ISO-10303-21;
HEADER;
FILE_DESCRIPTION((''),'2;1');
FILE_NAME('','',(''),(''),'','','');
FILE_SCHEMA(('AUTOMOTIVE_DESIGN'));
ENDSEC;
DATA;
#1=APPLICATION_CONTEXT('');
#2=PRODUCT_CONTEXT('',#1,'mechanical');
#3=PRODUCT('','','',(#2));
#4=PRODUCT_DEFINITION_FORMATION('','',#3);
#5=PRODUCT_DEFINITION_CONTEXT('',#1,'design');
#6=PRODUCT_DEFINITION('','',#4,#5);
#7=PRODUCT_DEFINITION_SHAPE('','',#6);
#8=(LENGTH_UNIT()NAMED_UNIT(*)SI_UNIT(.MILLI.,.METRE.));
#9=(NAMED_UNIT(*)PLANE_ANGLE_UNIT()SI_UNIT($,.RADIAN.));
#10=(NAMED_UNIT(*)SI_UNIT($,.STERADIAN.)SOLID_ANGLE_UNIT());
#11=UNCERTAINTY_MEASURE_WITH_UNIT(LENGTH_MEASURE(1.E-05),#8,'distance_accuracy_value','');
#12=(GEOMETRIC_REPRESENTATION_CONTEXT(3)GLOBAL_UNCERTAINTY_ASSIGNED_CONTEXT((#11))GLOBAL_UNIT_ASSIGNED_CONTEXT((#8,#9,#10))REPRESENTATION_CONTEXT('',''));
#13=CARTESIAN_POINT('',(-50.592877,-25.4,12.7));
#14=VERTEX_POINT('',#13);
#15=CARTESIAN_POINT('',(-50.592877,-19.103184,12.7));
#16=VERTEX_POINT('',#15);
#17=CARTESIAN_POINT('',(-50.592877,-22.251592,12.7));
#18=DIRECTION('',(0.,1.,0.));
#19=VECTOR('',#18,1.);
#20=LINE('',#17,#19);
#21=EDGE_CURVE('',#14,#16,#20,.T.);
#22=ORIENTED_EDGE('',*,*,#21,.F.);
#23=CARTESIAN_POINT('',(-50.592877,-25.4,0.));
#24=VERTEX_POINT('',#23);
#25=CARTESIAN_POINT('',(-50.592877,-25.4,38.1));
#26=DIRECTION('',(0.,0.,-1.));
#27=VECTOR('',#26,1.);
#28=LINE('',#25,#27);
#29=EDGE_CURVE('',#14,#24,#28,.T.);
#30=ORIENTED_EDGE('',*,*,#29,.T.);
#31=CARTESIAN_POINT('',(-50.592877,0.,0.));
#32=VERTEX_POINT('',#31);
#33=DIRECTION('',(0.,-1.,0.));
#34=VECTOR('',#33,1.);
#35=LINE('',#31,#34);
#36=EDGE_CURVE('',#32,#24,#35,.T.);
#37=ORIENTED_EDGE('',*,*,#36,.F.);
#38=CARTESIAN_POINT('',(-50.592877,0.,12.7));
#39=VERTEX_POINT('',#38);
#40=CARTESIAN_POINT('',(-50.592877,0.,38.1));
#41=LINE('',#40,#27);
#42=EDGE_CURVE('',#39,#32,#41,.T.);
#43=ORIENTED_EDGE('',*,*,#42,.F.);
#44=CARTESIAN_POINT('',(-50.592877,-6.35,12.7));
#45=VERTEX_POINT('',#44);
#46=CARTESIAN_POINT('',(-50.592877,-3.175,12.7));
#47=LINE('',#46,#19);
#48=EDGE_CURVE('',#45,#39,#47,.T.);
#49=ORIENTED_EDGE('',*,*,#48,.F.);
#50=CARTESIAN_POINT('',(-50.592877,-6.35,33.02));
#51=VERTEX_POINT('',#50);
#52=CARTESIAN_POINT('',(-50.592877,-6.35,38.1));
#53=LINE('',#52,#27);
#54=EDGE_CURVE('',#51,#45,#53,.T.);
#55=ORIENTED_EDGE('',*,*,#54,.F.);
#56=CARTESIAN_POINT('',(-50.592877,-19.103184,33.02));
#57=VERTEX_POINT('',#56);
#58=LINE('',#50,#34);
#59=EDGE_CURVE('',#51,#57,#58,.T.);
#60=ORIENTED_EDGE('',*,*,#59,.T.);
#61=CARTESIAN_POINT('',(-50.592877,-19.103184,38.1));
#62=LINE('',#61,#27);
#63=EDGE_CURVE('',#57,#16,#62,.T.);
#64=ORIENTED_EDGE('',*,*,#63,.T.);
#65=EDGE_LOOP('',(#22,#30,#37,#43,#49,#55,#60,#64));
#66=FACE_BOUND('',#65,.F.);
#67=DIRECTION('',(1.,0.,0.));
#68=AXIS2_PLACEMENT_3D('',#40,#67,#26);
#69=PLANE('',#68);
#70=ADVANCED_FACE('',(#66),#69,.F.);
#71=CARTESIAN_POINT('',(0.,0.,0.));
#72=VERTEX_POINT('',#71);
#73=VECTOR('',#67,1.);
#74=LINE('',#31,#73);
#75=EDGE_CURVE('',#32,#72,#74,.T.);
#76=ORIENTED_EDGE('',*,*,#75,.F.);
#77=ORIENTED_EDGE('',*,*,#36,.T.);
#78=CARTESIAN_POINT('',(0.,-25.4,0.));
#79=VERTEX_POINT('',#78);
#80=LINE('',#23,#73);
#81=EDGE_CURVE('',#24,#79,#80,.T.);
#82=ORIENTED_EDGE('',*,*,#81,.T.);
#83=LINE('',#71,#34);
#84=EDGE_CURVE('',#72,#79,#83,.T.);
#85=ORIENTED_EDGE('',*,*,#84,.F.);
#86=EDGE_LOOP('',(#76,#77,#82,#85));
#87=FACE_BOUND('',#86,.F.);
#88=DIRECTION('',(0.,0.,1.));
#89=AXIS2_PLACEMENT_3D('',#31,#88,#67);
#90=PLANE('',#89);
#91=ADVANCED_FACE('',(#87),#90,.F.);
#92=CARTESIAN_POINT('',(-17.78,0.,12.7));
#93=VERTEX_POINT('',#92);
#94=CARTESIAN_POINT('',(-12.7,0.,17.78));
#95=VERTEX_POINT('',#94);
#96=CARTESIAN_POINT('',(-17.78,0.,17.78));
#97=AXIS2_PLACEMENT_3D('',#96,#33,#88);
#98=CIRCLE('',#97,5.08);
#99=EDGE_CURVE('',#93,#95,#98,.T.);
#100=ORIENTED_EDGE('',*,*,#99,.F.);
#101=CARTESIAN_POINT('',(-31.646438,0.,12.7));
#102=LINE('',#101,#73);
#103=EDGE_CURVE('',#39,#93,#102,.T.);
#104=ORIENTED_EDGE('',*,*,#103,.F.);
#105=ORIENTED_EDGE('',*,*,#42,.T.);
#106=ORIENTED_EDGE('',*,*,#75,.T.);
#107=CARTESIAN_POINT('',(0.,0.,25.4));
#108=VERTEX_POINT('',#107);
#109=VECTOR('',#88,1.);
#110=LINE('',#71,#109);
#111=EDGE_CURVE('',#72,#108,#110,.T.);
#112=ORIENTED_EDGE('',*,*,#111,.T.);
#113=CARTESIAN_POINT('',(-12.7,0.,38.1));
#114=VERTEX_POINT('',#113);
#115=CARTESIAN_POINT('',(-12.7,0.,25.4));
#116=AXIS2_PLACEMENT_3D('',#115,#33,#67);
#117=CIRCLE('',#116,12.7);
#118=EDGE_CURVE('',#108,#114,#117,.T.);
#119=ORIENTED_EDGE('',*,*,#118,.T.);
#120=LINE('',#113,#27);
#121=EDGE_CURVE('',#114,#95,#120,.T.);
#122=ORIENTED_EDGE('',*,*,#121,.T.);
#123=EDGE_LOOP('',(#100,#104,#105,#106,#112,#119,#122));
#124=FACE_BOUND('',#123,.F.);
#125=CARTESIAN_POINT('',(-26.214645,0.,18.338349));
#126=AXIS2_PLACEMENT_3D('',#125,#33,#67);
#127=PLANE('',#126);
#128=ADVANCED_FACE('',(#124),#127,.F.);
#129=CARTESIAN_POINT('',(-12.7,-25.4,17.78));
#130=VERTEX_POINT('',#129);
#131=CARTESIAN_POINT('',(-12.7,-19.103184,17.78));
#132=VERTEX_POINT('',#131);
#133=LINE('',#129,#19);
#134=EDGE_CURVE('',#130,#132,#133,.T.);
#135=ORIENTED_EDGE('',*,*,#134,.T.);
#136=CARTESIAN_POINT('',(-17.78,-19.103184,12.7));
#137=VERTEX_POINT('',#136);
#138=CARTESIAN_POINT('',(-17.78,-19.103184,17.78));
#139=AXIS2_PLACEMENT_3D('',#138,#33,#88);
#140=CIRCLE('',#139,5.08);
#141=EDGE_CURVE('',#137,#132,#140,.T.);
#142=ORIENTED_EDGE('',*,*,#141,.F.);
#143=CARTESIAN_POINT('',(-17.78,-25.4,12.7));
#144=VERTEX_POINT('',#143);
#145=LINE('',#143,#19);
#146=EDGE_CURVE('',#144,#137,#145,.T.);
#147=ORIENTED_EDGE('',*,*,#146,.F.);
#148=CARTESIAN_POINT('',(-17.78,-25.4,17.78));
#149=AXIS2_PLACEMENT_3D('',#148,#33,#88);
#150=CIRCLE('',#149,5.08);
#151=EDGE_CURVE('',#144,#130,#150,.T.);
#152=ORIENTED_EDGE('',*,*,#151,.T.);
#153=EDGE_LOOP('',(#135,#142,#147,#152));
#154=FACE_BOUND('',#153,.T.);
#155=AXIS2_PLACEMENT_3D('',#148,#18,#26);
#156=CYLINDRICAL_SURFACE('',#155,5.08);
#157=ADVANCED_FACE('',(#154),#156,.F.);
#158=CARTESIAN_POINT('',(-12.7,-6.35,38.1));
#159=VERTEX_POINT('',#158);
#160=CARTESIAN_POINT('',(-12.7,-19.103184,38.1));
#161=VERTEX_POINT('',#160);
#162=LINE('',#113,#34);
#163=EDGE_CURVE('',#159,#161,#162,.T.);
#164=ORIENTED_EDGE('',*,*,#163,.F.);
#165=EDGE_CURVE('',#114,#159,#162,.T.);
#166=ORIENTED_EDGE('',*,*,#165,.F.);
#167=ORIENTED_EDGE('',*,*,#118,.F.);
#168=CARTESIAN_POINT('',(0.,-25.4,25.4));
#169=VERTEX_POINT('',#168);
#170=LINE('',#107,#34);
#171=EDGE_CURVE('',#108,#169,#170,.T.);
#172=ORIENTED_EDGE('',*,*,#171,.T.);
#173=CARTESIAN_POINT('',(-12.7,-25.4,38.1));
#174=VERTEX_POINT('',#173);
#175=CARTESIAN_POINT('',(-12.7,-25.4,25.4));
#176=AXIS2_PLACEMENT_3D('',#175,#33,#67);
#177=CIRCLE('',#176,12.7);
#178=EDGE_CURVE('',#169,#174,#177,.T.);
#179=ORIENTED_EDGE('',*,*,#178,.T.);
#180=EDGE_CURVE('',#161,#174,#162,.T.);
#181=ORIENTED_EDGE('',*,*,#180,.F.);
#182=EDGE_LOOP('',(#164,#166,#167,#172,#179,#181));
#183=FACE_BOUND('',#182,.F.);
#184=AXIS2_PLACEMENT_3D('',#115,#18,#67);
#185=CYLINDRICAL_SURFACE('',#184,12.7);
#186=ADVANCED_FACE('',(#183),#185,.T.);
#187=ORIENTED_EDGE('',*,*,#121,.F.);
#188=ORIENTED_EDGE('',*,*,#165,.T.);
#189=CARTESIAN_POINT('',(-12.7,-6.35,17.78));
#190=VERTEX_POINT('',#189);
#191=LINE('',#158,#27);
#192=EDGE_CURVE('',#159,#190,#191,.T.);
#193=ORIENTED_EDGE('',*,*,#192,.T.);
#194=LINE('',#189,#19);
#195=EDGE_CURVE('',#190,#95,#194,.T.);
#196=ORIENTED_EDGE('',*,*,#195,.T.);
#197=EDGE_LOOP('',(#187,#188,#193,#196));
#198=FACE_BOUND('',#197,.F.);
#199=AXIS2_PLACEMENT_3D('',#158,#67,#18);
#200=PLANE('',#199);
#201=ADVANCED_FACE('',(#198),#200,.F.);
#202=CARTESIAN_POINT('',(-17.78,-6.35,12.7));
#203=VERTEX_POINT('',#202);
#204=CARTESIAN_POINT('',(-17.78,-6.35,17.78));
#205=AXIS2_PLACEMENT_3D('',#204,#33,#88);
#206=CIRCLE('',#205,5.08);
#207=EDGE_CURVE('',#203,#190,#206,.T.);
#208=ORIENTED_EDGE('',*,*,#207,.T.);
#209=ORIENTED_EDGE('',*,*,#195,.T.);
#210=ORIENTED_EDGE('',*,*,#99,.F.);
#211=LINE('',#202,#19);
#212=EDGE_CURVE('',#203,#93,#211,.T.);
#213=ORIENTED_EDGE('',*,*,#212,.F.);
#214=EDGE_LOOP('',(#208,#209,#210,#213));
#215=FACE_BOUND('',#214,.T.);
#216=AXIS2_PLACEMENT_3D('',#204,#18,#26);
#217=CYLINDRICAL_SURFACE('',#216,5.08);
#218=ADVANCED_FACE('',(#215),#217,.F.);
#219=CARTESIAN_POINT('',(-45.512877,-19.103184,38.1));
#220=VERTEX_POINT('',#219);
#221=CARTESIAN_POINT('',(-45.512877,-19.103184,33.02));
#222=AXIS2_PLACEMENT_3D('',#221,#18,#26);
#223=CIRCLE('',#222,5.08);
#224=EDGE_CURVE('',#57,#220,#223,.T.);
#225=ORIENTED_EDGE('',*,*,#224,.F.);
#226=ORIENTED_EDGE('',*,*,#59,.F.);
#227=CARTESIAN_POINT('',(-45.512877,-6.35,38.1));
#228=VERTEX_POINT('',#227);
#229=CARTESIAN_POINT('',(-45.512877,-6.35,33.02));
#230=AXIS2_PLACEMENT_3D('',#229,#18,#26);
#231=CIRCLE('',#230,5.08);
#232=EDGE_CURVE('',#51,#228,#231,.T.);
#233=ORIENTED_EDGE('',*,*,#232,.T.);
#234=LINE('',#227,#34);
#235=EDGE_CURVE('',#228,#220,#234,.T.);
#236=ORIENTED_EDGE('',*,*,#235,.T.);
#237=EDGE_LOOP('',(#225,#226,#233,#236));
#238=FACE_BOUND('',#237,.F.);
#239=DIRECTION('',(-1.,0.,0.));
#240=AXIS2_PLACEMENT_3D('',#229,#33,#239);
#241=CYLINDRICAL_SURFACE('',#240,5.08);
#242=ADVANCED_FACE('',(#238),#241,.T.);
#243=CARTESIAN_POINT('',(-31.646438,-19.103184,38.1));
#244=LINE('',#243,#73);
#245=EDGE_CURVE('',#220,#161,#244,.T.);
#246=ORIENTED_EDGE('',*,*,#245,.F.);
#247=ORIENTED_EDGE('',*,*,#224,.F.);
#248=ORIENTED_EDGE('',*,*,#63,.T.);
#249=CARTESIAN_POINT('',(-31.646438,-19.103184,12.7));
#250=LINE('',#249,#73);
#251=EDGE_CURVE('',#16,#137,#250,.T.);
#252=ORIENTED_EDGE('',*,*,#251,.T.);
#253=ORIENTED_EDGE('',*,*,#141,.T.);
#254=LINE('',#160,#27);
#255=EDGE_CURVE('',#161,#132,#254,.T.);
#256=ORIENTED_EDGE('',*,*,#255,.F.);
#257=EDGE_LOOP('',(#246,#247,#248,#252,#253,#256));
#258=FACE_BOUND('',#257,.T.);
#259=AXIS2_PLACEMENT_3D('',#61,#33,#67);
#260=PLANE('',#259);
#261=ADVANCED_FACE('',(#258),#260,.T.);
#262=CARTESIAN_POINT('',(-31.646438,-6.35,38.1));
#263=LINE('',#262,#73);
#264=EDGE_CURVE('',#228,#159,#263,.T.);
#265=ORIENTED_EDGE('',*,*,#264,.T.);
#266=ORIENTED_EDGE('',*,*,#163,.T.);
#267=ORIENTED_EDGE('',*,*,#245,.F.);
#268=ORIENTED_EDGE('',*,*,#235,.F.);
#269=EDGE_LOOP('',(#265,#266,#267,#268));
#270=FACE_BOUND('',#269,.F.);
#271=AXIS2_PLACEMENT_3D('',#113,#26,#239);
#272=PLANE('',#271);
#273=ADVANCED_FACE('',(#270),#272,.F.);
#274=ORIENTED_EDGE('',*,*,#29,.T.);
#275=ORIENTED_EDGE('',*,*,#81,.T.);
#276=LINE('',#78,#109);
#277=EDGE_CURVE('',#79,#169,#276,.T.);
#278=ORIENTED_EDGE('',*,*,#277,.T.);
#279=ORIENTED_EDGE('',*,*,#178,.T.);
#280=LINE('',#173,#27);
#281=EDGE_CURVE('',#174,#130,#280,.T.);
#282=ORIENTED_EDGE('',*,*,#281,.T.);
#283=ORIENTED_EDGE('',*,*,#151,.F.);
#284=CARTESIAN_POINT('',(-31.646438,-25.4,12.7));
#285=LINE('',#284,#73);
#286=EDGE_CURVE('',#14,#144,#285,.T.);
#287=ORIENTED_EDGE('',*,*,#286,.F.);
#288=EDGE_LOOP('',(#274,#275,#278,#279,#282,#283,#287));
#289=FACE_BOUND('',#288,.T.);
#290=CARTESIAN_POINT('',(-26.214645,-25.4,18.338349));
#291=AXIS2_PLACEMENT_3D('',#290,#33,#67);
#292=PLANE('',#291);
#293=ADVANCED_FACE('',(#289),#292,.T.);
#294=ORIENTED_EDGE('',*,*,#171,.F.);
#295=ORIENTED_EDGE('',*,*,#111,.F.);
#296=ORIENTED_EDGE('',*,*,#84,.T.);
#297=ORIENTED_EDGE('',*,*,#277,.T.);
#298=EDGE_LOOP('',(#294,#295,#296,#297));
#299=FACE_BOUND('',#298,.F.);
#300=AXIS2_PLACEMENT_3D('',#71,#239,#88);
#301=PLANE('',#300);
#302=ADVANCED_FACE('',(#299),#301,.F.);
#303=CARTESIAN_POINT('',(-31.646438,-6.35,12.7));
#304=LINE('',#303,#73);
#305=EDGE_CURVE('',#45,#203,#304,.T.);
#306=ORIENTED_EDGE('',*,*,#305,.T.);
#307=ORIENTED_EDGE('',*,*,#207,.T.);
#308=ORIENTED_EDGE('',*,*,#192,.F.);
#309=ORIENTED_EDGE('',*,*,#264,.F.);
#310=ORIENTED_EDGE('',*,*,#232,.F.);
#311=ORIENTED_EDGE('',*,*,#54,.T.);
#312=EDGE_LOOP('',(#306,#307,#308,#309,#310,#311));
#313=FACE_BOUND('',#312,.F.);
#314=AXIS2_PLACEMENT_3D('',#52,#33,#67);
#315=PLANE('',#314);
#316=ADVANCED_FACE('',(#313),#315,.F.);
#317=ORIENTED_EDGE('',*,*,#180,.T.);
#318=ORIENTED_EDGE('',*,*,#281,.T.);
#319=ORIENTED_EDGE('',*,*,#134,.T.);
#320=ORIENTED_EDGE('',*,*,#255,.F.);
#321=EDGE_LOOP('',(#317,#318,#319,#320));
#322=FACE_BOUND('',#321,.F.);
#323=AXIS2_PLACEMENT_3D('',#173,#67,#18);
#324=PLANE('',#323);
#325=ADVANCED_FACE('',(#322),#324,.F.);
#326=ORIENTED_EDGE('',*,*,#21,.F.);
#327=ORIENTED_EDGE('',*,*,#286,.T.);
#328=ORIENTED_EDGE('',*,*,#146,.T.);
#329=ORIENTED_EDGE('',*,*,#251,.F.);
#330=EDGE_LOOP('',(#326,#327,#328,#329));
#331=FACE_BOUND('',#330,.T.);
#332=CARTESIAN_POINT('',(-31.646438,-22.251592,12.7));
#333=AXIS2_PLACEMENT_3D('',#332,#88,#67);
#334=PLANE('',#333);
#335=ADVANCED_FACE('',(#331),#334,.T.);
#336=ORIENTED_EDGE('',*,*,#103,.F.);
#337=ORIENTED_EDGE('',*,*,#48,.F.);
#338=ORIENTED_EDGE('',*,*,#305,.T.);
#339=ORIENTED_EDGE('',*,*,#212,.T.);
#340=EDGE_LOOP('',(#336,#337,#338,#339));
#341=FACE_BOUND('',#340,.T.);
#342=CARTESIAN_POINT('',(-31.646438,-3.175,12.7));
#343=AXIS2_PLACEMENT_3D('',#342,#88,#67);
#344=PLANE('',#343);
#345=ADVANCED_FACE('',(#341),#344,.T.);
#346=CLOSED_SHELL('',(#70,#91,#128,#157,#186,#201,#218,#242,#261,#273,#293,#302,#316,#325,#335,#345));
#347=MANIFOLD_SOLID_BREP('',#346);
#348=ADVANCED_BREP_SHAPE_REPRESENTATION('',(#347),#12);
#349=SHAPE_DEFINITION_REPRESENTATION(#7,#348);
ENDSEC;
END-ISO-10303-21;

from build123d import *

# Parameters (mm, degrees)
F1_DEPTH = 25.4
F2_W     = 37.8928769708
F2_H     = 6.35
F2_H_2   = 6.2968162
F3_DEPTH = 25.4
F4_R     = 5.08


with BuildPart() as f1:
    # F0 (on Front) → F1 (new body)
    with BuildSketch(Plane.XZ):
        with BuildLine():
            Line((-50.5928769708, 0), (0, 0))
            Line((0, 0), (0, 25.4))
            ThreePointArc((0, 25.4), (-3.7197438789, 34.3802561211), (-12.7, 38.1))
            Line((-12.7, 38.1), (-50.5928769708, 38.1))
            Line((-50.5928769708, 38.1), (-50.5928769708, 0))
        make_face()
    extrude(amount=F1_DEPTH)

    # F2 (on face) → F3 (cut)
    with BuildSketch(Plane.XY.offset(38.1)):
        with Locations((-31.6464384854, -3.175)):
            Rectangle(F2_W, F2_H)
        with Locations((-31.6464384854, -22.2515919)):
            Rectangle(F2_W, F2_H_2)
    extrude(amount=-F3_DEPTH, mode=Mode.SUBTRACT)

    # F4
    f4_edges = [f1.edges().sort_by_distance(p)[0] for p in [
        (-12.7, -22.251592, 12.7),
        (-12.7, -3.175, 12.7),
        (-50.592877, -12.726592, 38.1),
    ]]
    fillet(f4_edges, radius=F4_R)


solid = f1.part
